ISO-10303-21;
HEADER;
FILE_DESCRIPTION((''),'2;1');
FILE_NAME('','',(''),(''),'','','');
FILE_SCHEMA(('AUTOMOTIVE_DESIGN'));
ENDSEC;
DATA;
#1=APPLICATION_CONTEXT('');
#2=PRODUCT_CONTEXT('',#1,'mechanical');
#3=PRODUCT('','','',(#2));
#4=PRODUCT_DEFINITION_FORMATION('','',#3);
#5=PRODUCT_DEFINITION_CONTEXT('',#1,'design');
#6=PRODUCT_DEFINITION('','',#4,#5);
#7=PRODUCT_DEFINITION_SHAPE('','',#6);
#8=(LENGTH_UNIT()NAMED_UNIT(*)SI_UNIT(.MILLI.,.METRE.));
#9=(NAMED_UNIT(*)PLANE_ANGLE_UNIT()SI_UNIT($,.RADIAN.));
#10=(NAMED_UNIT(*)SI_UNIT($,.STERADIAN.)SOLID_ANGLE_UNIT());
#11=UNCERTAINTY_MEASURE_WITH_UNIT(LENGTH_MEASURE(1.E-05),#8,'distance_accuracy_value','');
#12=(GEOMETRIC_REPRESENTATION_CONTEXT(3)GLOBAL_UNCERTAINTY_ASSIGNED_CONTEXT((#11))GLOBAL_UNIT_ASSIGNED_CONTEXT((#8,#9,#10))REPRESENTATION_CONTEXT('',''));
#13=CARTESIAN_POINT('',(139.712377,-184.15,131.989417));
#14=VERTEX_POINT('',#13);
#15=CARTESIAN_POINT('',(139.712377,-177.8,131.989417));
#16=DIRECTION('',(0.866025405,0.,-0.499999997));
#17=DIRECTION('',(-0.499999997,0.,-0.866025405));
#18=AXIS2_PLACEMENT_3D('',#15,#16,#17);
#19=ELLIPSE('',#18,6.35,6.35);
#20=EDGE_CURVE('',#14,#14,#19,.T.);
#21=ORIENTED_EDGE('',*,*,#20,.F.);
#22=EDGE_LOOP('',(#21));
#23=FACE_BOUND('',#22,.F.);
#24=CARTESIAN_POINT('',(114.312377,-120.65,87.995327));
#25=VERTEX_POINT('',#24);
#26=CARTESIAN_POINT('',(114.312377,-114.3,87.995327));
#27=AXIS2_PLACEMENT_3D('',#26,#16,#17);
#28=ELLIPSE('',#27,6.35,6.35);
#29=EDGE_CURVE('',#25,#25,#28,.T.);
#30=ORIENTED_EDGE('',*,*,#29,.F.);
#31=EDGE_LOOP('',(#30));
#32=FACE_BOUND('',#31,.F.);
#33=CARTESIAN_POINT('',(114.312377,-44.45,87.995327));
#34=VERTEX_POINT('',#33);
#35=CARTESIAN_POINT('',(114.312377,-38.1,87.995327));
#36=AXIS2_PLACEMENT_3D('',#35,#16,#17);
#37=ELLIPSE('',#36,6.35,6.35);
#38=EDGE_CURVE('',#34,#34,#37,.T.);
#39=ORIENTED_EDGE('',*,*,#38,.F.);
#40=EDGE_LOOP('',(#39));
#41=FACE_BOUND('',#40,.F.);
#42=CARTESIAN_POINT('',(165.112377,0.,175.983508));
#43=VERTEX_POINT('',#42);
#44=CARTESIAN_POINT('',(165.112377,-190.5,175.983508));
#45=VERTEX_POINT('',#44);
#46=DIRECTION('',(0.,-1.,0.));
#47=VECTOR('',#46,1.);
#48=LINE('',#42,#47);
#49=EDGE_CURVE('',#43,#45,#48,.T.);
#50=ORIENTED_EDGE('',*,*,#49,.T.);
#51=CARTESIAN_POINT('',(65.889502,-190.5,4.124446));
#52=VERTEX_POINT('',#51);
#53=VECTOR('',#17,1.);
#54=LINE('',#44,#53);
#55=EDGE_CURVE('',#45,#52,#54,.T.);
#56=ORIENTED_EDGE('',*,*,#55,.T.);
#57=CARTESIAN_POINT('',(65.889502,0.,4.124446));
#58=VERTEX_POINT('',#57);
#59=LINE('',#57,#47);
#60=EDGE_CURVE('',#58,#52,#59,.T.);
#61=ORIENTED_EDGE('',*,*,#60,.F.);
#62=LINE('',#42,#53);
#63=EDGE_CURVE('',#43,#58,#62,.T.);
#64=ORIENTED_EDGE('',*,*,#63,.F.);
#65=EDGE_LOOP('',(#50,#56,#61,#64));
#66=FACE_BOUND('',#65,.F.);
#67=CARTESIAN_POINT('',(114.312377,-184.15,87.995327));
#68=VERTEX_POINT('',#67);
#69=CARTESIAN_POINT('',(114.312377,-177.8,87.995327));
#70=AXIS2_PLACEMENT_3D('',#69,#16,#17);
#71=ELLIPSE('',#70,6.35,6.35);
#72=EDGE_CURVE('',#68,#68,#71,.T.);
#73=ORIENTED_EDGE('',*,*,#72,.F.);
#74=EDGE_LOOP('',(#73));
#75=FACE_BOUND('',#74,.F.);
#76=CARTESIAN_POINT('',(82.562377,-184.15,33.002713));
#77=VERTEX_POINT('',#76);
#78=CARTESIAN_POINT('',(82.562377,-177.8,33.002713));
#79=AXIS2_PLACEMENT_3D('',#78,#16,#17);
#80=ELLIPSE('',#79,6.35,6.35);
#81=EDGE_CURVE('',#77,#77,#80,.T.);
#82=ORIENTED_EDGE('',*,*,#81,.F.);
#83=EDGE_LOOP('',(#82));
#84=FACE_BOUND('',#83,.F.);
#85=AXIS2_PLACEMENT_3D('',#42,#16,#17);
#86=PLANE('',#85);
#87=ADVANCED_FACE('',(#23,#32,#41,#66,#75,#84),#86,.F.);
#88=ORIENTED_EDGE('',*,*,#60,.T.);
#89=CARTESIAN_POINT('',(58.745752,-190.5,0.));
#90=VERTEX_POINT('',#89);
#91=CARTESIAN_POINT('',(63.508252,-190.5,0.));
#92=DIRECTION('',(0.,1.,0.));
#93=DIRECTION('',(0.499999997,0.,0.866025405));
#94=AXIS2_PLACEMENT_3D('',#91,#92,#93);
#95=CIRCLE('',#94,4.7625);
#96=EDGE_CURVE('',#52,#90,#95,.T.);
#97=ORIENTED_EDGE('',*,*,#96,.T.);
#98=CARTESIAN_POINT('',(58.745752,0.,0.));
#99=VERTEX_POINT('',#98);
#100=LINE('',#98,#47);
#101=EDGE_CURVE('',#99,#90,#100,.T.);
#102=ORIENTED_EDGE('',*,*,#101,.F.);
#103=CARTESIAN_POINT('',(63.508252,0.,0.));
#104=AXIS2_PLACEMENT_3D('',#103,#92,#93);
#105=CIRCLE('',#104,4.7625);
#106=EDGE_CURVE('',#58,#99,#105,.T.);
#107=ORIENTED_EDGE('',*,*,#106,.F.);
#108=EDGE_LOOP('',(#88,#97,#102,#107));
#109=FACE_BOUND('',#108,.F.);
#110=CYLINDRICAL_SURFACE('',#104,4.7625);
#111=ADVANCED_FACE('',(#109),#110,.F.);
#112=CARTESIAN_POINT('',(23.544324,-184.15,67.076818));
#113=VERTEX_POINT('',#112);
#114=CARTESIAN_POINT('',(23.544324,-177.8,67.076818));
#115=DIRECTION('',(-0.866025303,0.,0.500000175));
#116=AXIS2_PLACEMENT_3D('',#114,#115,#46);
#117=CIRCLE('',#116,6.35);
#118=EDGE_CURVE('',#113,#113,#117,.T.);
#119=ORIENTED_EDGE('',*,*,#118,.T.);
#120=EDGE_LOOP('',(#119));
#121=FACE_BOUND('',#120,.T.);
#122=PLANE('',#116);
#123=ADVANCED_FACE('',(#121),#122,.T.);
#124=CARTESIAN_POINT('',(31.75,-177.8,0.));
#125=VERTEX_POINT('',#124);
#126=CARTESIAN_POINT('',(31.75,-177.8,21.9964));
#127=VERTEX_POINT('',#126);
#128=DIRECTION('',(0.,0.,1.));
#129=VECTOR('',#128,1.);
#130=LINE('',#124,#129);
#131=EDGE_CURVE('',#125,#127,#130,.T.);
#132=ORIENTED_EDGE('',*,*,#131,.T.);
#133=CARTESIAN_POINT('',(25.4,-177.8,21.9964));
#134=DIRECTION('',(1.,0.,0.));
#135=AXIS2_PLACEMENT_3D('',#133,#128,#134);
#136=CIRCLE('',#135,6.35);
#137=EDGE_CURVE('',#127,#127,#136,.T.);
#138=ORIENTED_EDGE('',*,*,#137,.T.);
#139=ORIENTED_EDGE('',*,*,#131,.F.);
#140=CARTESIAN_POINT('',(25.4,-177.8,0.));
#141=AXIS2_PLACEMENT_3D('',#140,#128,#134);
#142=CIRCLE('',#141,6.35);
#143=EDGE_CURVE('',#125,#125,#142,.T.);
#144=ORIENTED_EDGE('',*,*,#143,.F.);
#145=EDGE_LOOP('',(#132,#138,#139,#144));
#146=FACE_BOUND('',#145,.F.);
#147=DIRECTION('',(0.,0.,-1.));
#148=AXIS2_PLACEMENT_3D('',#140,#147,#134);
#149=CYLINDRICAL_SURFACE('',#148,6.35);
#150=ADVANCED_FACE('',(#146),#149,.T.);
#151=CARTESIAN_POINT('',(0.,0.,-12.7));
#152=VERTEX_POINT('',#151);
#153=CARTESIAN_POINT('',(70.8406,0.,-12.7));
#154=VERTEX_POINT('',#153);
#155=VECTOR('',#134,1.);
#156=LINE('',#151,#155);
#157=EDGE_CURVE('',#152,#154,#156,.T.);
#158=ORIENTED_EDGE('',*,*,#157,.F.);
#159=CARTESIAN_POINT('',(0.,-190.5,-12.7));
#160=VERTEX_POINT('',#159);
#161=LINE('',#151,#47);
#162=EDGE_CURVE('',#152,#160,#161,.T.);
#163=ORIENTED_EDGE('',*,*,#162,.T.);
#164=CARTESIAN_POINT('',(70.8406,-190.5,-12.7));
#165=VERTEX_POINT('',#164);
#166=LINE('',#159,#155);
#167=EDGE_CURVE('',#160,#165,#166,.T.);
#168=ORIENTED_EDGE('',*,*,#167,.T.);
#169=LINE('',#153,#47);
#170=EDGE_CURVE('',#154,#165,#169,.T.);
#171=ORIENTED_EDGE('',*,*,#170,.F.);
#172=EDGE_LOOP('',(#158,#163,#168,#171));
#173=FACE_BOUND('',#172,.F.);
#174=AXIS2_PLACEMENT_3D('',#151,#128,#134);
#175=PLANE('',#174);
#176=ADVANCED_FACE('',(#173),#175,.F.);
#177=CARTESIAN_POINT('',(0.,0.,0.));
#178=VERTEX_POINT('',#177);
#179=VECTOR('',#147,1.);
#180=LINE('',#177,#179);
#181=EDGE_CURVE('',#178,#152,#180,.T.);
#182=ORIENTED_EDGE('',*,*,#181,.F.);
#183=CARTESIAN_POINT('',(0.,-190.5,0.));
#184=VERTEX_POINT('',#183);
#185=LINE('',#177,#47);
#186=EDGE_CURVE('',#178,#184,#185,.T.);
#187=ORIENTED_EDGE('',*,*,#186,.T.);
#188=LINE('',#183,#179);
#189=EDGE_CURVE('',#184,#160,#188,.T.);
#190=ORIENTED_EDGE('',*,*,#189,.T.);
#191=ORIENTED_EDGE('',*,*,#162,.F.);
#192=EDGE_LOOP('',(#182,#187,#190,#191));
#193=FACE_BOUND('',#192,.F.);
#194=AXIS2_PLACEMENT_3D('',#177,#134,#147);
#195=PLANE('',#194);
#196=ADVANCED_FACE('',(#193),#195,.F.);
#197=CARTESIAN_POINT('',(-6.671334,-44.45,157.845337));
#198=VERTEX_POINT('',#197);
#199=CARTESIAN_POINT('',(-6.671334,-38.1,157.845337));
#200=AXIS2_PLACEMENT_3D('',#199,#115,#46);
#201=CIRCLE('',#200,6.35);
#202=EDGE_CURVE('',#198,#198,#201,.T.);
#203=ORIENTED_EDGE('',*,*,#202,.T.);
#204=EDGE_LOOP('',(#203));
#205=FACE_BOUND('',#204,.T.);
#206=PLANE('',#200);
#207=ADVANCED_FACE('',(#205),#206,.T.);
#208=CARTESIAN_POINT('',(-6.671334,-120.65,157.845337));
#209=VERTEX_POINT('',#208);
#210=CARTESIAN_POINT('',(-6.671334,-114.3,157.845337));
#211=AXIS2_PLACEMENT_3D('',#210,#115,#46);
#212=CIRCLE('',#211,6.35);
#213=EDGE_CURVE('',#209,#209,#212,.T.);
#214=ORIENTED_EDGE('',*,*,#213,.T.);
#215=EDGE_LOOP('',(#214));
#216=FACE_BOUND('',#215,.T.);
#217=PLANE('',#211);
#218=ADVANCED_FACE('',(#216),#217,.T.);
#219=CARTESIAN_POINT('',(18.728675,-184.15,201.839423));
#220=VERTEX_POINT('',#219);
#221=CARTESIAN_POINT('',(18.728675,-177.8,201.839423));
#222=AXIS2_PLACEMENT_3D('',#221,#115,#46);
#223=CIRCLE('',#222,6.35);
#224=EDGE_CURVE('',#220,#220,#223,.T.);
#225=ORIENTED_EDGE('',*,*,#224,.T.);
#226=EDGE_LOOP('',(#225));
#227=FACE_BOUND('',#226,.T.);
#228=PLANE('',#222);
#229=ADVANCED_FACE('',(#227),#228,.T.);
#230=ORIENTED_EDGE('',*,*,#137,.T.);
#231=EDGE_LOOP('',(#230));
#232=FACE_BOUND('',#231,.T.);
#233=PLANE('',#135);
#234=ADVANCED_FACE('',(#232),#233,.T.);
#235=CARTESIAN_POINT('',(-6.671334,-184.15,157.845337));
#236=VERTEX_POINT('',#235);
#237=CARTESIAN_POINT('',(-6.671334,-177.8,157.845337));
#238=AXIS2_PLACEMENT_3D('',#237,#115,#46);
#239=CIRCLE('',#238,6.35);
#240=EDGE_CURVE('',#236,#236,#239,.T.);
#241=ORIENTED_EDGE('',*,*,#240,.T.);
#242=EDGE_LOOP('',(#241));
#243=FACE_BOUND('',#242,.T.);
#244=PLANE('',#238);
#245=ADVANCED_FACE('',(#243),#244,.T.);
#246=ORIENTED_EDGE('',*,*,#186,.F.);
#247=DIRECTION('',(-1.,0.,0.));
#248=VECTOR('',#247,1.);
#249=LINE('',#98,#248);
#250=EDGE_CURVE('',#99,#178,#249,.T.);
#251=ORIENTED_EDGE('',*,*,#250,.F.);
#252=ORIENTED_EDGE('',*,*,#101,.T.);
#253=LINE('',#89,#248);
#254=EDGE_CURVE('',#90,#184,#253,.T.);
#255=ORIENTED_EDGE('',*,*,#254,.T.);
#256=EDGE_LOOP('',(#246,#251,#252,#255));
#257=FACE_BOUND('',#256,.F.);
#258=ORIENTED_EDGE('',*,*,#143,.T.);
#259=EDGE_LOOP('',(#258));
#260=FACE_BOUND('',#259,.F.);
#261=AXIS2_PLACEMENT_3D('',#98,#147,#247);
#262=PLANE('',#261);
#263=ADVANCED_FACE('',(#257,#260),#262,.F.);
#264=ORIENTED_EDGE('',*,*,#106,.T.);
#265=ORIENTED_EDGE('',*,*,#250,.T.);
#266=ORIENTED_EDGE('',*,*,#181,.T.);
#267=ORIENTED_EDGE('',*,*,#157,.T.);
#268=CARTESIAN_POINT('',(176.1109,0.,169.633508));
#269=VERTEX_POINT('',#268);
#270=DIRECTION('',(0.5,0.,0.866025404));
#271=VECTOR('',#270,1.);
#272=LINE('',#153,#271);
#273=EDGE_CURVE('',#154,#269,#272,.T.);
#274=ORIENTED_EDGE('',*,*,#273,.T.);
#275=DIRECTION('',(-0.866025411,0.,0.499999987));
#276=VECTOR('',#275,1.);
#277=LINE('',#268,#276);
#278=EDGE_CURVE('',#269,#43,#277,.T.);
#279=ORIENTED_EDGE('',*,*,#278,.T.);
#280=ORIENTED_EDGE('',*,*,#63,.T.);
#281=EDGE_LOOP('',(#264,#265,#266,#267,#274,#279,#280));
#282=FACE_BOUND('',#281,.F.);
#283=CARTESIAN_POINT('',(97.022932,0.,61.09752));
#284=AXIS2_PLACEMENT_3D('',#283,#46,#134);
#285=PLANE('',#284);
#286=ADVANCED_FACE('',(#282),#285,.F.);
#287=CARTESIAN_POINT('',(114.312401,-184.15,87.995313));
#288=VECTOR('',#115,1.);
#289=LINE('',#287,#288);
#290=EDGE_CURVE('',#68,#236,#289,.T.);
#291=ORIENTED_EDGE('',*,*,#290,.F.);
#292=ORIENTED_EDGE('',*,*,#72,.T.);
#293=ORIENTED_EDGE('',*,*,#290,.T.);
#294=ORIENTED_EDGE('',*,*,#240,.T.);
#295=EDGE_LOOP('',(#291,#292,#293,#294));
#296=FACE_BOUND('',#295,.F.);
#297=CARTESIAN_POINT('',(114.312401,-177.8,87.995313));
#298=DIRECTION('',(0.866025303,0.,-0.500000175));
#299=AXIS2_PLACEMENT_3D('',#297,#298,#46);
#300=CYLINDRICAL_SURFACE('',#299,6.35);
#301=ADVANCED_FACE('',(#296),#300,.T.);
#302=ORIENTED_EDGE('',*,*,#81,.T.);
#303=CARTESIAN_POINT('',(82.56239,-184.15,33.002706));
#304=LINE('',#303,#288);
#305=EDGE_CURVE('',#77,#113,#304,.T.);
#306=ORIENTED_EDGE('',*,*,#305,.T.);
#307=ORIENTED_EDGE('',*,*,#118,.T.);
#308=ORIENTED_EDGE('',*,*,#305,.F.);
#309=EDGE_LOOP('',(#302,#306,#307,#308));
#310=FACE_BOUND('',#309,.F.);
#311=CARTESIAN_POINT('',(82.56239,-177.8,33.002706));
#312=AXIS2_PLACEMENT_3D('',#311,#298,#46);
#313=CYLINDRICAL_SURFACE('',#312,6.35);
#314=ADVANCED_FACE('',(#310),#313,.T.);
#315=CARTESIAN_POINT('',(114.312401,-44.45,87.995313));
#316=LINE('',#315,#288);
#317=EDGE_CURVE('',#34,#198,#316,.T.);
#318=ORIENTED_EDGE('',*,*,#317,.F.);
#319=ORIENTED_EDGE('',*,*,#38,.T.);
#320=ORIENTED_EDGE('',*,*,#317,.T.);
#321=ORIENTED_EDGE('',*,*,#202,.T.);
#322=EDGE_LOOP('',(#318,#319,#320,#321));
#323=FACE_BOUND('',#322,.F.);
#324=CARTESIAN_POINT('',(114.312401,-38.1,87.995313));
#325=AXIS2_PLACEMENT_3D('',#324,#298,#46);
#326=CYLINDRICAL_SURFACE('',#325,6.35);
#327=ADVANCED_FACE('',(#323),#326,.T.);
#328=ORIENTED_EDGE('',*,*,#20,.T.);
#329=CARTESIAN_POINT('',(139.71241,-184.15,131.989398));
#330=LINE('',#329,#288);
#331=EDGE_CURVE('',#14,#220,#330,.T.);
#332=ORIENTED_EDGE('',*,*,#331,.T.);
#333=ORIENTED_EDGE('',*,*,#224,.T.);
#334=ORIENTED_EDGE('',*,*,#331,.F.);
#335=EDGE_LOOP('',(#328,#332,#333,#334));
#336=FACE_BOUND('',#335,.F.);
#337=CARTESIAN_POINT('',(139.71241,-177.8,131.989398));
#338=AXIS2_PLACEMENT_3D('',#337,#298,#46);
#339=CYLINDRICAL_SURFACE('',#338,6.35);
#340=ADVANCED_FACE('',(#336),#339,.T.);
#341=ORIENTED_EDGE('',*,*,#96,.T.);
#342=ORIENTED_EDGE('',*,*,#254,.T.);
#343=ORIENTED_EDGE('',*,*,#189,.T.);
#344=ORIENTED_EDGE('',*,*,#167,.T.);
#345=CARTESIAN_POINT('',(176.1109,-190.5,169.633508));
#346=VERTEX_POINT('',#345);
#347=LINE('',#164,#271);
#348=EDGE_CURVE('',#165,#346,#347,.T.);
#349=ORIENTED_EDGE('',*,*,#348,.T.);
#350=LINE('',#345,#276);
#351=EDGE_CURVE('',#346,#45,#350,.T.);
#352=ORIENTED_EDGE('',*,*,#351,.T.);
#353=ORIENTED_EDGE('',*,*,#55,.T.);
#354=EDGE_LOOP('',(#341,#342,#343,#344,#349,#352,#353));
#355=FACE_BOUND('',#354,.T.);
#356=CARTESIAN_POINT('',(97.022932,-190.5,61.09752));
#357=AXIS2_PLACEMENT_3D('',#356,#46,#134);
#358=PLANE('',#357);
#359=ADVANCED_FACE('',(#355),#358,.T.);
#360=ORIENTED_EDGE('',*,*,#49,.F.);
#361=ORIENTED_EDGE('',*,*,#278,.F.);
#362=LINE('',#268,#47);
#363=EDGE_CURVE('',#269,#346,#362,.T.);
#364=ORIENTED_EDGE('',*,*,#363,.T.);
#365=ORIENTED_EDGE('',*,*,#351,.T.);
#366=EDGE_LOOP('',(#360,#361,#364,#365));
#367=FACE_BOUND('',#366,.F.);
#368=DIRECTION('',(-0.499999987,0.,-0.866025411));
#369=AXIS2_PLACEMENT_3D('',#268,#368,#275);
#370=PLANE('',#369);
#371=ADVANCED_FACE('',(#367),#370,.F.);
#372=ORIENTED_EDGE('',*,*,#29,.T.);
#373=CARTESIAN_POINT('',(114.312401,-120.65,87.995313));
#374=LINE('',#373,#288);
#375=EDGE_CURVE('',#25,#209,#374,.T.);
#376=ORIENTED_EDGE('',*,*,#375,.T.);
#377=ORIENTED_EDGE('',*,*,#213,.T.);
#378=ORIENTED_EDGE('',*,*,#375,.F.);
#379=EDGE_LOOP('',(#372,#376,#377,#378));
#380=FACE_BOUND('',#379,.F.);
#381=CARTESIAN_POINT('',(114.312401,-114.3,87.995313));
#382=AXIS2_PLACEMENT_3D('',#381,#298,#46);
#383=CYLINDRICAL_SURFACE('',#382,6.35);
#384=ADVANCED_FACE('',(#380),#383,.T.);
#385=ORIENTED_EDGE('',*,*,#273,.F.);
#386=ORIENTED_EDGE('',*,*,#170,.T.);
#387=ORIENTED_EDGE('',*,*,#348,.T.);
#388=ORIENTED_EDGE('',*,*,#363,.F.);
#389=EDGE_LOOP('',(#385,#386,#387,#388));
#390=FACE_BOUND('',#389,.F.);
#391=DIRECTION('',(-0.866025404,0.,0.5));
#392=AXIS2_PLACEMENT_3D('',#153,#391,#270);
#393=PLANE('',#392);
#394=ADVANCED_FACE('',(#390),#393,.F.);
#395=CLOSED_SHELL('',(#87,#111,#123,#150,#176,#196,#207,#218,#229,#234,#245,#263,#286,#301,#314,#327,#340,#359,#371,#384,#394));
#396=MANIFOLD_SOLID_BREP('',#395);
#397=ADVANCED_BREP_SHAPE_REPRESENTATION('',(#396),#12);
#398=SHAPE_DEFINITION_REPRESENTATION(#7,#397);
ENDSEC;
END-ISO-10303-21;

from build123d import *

# Parameters (mm, degrees)
F1_DEPTH = 190.5
F2_R     = 6.35
F4_DEPTH = 21.9964
F3_R     = 6.35
F5_DEPTH = 68.1482
F6_DEPTH = 139.7


with BuildPart() as f1:
    # F0 (on Front) → F1 (new body)
    with BuildSketch(Plane.XZ):
        with BuildLine():
            Line((58.745752, 0), (0, 0))
            Line((0, 0), (0, -12.7))
            Line((0, -12.7), (70.8406, -12.7))
            Line((70.8406, -12.7), (176.1109, 169.633508))
            Line((176.1109, 169.633508), (165.112377, 175.983508))
            Line((165.112377, 175.983508), (65.889502, 4.124446))
            ThreePointArc((65.889502, 4.124446), (65.889502, -4.124446), (58.745752, 0))
        make_face()
    extrude(amount=F1_DEPTH)

    # F2 (on face) → F4 (join)
    with BuildSketch(Plane.XY):
        with Locations((25.4, -177.8)):
            Circle(F2_R)
    extrude(amount=F4_DEPTH)

    # F3 (on face) → F5 (join)
    with BuildSketch(Plane(origin=(47.631189, 0, -27.49988), x_dir=(0, -1, 0), z_dir=(-0.866025, 0, 0.5))):
        with Locations((177.8, 69.862377)):
            Circle(F3_R)
    extrude(amount=F5_DEPTH)

    # F3 (on face) → F6 (join)
    with BuildSketch(Plane(origin=(47.631189, 0, -27.49988), x_dir=(0, -1, 0), z_dir=(-0.866025, 0, 0.5))):
        with Locations((177.8, 133.362377)):
            Circle(F3_R)
        with Locations((114.3, 133.362377)):
            Circle(F3_R)
        with Locations((38.1, 133.362377)):
            Circle(F3_R)
        with Locations((177.8, 184.162377)):
            Circle(F3_R)
    extrude(amount=F6_DEPTH)


solid = f1.part
